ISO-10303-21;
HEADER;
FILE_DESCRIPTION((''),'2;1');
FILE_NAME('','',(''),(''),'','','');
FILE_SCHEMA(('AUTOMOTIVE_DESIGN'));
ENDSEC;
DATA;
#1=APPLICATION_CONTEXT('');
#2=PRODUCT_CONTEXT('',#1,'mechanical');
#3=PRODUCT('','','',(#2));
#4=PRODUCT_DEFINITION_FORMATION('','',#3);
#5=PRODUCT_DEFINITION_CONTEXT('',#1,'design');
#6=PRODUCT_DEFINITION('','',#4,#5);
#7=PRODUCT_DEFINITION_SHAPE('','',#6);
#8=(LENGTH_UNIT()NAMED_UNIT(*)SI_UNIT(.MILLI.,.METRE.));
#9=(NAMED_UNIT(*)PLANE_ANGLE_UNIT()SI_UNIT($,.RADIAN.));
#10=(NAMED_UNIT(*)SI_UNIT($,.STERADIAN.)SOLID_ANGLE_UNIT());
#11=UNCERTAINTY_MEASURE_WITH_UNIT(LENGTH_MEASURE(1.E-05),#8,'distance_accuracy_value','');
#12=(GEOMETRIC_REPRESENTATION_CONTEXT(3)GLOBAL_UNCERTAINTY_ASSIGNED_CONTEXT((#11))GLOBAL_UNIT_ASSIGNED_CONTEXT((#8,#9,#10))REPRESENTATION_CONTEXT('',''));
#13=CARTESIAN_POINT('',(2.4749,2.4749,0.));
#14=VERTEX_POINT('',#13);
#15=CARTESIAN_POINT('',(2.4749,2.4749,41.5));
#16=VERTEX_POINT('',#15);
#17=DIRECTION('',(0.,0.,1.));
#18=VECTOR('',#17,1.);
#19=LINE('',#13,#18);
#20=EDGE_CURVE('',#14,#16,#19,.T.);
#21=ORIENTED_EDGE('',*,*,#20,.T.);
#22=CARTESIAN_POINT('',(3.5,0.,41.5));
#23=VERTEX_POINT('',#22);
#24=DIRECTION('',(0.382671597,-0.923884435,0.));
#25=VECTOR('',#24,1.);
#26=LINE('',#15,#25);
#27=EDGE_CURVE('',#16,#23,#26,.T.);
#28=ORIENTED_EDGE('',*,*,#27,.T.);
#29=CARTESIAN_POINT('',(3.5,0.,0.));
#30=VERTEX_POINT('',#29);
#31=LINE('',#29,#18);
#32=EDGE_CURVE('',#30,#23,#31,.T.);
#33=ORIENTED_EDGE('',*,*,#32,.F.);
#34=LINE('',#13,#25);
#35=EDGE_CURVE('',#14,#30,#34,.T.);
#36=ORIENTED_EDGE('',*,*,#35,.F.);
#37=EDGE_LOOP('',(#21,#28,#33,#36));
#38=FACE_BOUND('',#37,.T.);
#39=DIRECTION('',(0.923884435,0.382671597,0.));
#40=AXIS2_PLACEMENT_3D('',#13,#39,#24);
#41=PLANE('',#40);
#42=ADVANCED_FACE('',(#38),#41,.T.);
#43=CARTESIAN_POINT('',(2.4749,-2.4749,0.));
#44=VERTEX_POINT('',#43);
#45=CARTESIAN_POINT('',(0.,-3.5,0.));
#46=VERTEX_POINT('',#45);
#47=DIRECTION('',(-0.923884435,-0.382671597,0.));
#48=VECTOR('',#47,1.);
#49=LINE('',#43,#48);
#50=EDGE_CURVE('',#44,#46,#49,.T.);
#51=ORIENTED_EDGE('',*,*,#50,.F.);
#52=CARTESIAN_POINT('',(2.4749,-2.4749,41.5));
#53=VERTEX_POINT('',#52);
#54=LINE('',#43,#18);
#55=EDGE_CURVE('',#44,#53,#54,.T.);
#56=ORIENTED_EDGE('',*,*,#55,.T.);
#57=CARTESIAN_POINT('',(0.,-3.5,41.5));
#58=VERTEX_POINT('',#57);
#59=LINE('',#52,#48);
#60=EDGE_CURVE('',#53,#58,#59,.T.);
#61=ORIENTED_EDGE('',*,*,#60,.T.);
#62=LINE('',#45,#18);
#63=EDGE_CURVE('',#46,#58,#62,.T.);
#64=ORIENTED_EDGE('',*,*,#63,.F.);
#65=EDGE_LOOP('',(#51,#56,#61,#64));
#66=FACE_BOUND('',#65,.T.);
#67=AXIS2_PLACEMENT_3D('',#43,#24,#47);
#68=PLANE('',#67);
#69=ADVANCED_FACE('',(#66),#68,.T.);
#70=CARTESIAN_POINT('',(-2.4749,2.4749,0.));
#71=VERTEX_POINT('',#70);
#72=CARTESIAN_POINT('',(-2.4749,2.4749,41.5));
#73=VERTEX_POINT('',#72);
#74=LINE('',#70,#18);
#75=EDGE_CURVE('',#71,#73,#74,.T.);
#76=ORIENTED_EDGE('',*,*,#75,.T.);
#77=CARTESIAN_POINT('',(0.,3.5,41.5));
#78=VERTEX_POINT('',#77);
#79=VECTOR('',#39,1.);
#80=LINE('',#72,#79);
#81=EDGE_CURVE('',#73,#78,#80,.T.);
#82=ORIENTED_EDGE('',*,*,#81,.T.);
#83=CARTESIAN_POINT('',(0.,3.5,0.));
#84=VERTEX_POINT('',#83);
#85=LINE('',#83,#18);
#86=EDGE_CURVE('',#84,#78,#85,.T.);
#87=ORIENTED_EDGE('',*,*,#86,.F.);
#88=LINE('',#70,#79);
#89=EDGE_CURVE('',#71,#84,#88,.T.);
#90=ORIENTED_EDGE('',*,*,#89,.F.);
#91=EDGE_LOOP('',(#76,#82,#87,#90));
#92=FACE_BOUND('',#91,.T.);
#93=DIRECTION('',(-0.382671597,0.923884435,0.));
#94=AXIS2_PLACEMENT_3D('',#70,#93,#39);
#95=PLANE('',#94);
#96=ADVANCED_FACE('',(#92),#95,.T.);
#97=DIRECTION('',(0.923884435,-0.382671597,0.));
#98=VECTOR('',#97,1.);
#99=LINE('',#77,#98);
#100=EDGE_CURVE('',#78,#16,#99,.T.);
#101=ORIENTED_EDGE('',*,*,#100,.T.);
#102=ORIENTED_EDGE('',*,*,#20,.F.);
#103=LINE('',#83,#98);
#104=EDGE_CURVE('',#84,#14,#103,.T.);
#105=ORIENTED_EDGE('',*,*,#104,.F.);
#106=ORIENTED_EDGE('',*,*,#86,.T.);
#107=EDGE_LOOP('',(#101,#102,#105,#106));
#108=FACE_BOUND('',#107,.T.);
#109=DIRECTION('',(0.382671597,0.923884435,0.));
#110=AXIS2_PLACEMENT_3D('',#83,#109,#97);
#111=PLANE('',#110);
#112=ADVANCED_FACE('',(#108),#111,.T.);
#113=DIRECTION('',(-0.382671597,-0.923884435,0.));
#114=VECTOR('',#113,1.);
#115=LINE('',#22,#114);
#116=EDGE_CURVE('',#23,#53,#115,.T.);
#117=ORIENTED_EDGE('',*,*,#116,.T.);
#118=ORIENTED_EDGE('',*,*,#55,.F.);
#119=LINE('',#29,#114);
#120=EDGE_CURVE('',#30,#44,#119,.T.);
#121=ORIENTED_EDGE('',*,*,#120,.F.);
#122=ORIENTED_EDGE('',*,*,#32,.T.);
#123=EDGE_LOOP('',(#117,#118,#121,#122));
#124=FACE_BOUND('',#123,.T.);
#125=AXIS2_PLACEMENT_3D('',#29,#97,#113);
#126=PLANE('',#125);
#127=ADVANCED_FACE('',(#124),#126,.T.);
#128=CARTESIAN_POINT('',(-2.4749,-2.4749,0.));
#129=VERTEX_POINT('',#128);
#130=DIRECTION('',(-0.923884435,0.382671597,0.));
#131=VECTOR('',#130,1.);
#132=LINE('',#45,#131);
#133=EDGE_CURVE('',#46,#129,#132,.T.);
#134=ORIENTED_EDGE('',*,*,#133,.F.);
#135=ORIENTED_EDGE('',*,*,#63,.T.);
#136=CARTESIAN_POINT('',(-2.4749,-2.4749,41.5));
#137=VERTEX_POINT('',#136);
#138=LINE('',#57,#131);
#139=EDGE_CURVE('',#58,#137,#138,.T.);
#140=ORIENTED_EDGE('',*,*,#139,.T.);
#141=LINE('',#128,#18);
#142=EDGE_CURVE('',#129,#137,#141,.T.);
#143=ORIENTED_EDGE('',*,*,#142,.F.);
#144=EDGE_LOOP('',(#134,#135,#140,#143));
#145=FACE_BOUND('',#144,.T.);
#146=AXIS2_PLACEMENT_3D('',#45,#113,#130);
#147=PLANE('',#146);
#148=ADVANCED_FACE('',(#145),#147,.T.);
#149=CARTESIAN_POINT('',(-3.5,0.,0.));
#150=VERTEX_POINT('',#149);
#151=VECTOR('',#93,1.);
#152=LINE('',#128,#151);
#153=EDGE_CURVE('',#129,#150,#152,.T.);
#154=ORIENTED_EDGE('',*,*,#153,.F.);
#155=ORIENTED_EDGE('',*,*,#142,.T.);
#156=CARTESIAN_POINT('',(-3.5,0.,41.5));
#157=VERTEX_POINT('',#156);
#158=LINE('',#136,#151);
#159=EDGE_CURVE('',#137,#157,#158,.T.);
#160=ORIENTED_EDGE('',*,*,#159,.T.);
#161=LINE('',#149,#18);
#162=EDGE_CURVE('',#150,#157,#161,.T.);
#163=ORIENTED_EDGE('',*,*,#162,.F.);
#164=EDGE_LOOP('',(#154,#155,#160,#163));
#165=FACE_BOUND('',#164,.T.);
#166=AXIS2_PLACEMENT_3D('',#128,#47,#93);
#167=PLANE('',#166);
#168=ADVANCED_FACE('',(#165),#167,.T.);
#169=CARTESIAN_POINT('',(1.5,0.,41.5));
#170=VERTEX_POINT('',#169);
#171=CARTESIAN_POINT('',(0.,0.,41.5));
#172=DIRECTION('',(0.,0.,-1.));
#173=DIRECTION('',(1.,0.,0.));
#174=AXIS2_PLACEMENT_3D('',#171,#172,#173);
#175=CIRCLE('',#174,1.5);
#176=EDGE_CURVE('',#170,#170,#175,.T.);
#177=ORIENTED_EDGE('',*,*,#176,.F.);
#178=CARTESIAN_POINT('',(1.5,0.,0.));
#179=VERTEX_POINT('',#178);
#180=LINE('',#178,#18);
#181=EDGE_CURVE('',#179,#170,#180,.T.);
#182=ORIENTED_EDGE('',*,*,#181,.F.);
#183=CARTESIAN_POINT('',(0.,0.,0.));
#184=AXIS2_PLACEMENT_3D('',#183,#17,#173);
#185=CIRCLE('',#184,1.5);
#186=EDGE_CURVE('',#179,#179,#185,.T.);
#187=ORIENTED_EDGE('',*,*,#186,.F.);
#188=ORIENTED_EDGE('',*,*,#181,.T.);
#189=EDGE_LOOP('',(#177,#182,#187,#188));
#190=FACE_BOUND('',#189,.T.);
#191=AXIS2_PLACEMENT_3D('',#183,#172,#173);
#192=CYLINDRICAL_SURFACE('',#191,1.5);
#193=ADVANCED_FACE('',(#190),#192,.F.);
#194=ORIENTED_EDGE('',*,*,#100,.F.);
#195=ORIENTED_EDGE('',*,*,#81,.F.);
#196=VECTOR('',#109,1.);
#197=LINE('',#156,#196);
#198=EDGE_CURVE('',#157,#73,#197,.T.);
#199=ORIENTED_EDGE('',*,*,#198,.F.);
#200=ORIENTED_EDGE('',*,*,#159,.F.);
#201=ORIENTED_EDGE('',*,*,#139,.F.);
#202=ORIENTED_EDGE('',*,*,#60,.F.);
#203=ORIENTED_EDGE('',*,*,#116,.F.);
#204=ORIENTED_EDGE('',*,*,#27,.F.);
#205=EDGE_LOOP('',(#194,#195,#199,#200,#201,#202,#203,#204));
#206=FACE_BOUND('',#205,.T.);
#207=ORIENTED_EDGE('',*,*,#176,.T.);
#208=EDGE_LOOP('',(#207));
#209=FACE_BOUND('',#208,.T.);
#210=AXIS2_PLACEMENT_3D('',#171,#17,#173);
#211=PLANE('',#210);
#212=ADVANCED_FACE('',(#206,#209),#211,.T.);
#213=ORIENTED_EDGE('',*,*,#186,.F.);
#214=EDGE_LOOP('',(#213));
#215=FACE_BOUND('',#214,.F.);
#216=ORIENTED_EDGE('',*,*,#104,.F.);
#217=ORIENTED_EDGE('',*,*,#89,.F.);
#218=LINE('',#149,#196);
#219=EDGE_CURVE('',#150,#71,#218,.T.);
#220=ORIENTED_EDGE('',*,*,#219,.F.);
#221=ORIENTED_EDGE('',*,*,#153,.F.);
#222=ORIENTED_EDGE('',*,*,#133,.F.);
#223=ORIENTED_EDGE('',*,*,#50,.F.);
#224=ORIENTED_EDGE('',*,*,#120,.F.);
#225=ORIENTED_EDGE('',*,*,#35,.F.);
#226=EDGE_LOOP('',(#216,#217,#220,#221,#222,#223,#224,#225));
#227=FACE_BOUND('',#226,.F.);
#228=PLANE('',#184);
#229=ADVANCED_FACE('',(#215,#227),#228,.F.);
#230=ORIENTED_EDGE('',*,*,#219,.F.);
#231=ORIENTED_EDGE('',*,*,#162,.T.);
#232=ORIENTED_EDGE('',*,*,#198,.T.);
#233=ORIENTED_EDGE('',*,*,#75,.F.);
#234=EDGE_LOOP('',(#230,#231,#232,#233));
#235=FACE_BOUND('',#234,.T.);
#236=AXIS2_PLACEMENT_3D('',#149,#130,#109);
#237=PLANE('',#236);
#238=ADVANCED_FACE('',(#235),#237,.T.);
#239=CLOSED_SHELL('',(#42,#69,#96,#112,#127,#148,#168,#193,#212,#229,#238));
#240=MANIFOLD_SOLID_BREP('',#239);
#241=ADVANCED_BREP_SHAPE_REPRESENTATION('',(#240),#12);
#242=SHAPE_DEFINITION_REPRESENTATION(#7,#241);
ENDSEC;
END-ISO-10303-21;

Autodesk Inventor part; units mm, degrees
sketch "Skizze1" plane through (0, 0, 0) normal (0, 0, 1) x (1, 0, 0)
  line L0 (0, 4.9) -> (0, -4.9) projected
  line L1 (-4.9, 0) -> (4.9, 0) projected
  line L2 (0, 3.5) -> (2.4749, 2.4749)
  line L3 (2.4749, 2.4749) -> (3.5, 0)
  line L4 (3.5, 0) -> (2.4749, -2.4749)
  line L5 (2.4749, -2.4749) -> (0, -3.5)
  line L6 (0, -3.5) -> (-2.4749, -2.4749)
  line L7 (-2.4749, -2.4749) -> (-3.5, 0)
  line L8 (-3.5, 0) -> (-2.4749, 2.4749)
  line L9 (-2.4749, 2.4749) -> (0, 3.5)
  circle A0 centre (0, 0) radius 1.5
  dimension "d1" = 3
extrude "Extrusion1" add sketch "Skizze1" along normal blind 41.5 contours L2 L3 L1 A0 L0 | L0 A0 L1 L8 L9 | L1 L4 L5 L0 A0 | A0 L0 L6 L7 L1
thread "Gewinde1" size "M3x0.5" class "6H" standard "ANSI Metric M Profile" full length
properties part number "LenkungStütze"
